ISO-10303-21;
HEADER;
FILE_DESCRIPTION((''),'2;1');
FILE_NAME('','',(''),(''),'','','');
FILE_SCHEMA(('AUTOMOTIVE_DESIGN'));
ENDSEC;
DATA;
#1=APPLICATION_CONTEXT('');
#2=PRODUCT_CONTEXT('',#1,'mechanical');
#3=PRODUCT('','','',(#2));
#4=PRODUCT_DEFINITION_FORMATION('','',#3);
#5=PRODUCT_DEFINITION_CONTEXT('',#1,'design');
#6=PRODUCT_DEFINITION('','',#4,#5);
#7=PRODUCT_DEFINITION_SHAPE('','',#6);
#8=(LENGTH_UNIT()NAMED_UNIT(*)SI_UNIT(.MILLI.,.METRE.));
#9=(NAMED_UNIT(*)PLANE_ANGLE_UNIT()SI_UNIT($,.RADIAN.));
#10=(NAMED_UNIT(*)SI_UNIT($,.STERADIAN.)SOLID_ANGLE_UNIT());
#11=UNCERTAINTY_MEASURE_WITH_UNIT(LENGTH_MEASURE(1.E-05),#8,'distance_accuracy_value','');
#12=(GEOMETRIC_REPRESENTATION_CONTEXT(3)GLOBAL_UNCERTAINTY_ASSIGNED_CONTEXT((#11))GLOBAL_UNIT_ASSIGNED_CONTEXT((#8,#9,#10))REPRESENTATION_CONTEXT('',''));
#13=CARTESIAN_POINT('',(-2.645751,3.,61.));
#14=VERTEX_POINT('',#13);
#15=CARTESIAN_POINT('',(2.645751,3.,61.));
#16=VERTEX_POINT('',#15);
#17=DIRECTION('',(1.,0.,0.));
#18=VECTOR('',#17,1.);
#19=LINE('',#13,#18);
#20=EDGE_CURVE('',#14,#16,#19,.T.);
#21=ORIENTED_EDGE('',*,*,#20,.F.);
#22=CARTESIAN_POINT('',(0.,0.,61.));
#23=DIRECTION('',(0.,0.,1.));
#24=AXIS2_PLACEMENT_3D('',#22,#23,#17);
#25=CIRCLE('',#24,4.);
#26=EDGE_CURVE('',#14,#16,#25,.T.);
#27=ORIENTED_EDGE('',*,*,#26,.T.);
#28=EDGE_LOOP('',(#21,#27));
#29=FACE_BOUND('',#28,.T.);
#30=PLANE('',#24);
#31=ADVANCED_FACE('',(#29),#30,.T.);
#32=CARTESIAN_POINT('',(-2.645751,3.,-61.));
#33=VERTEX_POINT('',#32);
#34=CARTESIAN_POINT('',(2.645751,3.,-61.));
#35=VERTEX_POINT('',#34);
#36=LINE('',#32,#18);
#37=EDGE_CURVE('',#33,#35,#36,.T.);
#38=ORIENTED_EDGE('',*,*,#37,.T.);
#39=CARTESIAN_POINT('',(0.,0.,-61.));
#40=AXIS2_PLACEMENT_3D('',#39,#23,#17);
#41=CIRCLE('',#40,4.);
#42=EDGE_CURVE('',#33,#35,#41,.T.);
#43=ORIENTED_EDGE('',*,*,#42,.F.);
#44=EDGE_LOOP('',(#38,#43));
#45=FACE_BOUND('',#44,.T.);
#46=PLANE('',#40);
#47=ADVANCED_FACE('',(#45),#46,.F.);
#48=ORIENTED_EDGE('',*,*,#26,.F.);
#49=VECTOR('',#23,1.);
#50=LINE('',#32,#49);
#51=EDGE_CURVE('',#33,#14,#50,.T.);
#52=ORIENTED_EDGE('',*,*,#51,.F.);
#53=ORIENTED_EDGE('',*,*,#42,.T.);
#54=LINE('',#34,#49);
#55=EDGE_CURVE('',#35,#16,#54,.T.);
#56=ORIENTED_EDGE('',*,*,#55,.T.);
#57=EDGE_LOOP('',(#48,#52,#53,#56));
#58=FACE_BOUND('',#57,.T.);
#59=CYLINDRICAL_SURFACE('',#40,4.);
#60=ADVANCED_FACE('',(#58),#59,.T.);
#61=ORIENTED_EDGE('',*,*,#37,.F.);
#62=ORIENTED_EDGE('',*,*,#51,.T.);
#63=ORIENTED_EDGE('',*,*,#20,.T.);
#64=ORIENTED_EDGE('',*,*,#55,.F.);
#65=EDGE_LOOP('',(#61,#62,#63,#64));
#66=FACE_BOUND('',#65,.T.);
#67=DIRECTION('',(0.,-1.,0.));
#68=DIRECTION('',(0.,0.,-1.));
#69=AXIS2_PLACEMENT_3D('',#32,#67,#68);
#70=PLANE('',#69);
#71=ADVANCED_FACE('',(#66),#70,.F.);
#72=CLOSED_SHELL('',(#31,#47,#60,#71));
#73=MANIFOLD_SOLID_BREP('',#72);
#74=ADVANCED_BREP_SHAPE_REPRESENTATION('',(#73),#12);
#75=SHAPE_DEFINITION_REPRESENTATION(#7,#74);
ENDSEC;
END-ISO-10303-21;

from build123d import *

# Parameters (mm, degrees)
BOSS_EXTRUDE1_DEPTH      = 61
BOSS_EXTRUDE1_DEPTH_BACK = 61
SKETCH1_R                = 4
CUT_EXTRUDE1_DEPTH       = 122


with BuildPart() as part:
    # Sketch1 → Boss-Extrude1 (new, two sides: drawn at the far end of the back side and taken through both)
    with BuildSketch(Plane.XY.offset(-BOSS_EXTRUDE1_DEPTH_BACK)):
        Circle(SKETCH1_R)
    extrude(amount=BOSS_EXTRUDE1_DEPTH + BOSS_EXTRUDE1_DEPTH_BACK)

    # Sketch2 → Cut-Extrude1 (cut)
    with BuildSketch(Plane.XY.offset(61)):
        with BuildLine():
            Line((-2.645751311, 3), (2.645751311, 3))
            ThreePointArc((2.645751311, 3), (0, 4), (-2.645751311, 3))
        make_face()
    extrude(amount=-CUT_EXTRUDE1_DEPTH, mode=Mode.SUBTRACT)


solid = part.part
